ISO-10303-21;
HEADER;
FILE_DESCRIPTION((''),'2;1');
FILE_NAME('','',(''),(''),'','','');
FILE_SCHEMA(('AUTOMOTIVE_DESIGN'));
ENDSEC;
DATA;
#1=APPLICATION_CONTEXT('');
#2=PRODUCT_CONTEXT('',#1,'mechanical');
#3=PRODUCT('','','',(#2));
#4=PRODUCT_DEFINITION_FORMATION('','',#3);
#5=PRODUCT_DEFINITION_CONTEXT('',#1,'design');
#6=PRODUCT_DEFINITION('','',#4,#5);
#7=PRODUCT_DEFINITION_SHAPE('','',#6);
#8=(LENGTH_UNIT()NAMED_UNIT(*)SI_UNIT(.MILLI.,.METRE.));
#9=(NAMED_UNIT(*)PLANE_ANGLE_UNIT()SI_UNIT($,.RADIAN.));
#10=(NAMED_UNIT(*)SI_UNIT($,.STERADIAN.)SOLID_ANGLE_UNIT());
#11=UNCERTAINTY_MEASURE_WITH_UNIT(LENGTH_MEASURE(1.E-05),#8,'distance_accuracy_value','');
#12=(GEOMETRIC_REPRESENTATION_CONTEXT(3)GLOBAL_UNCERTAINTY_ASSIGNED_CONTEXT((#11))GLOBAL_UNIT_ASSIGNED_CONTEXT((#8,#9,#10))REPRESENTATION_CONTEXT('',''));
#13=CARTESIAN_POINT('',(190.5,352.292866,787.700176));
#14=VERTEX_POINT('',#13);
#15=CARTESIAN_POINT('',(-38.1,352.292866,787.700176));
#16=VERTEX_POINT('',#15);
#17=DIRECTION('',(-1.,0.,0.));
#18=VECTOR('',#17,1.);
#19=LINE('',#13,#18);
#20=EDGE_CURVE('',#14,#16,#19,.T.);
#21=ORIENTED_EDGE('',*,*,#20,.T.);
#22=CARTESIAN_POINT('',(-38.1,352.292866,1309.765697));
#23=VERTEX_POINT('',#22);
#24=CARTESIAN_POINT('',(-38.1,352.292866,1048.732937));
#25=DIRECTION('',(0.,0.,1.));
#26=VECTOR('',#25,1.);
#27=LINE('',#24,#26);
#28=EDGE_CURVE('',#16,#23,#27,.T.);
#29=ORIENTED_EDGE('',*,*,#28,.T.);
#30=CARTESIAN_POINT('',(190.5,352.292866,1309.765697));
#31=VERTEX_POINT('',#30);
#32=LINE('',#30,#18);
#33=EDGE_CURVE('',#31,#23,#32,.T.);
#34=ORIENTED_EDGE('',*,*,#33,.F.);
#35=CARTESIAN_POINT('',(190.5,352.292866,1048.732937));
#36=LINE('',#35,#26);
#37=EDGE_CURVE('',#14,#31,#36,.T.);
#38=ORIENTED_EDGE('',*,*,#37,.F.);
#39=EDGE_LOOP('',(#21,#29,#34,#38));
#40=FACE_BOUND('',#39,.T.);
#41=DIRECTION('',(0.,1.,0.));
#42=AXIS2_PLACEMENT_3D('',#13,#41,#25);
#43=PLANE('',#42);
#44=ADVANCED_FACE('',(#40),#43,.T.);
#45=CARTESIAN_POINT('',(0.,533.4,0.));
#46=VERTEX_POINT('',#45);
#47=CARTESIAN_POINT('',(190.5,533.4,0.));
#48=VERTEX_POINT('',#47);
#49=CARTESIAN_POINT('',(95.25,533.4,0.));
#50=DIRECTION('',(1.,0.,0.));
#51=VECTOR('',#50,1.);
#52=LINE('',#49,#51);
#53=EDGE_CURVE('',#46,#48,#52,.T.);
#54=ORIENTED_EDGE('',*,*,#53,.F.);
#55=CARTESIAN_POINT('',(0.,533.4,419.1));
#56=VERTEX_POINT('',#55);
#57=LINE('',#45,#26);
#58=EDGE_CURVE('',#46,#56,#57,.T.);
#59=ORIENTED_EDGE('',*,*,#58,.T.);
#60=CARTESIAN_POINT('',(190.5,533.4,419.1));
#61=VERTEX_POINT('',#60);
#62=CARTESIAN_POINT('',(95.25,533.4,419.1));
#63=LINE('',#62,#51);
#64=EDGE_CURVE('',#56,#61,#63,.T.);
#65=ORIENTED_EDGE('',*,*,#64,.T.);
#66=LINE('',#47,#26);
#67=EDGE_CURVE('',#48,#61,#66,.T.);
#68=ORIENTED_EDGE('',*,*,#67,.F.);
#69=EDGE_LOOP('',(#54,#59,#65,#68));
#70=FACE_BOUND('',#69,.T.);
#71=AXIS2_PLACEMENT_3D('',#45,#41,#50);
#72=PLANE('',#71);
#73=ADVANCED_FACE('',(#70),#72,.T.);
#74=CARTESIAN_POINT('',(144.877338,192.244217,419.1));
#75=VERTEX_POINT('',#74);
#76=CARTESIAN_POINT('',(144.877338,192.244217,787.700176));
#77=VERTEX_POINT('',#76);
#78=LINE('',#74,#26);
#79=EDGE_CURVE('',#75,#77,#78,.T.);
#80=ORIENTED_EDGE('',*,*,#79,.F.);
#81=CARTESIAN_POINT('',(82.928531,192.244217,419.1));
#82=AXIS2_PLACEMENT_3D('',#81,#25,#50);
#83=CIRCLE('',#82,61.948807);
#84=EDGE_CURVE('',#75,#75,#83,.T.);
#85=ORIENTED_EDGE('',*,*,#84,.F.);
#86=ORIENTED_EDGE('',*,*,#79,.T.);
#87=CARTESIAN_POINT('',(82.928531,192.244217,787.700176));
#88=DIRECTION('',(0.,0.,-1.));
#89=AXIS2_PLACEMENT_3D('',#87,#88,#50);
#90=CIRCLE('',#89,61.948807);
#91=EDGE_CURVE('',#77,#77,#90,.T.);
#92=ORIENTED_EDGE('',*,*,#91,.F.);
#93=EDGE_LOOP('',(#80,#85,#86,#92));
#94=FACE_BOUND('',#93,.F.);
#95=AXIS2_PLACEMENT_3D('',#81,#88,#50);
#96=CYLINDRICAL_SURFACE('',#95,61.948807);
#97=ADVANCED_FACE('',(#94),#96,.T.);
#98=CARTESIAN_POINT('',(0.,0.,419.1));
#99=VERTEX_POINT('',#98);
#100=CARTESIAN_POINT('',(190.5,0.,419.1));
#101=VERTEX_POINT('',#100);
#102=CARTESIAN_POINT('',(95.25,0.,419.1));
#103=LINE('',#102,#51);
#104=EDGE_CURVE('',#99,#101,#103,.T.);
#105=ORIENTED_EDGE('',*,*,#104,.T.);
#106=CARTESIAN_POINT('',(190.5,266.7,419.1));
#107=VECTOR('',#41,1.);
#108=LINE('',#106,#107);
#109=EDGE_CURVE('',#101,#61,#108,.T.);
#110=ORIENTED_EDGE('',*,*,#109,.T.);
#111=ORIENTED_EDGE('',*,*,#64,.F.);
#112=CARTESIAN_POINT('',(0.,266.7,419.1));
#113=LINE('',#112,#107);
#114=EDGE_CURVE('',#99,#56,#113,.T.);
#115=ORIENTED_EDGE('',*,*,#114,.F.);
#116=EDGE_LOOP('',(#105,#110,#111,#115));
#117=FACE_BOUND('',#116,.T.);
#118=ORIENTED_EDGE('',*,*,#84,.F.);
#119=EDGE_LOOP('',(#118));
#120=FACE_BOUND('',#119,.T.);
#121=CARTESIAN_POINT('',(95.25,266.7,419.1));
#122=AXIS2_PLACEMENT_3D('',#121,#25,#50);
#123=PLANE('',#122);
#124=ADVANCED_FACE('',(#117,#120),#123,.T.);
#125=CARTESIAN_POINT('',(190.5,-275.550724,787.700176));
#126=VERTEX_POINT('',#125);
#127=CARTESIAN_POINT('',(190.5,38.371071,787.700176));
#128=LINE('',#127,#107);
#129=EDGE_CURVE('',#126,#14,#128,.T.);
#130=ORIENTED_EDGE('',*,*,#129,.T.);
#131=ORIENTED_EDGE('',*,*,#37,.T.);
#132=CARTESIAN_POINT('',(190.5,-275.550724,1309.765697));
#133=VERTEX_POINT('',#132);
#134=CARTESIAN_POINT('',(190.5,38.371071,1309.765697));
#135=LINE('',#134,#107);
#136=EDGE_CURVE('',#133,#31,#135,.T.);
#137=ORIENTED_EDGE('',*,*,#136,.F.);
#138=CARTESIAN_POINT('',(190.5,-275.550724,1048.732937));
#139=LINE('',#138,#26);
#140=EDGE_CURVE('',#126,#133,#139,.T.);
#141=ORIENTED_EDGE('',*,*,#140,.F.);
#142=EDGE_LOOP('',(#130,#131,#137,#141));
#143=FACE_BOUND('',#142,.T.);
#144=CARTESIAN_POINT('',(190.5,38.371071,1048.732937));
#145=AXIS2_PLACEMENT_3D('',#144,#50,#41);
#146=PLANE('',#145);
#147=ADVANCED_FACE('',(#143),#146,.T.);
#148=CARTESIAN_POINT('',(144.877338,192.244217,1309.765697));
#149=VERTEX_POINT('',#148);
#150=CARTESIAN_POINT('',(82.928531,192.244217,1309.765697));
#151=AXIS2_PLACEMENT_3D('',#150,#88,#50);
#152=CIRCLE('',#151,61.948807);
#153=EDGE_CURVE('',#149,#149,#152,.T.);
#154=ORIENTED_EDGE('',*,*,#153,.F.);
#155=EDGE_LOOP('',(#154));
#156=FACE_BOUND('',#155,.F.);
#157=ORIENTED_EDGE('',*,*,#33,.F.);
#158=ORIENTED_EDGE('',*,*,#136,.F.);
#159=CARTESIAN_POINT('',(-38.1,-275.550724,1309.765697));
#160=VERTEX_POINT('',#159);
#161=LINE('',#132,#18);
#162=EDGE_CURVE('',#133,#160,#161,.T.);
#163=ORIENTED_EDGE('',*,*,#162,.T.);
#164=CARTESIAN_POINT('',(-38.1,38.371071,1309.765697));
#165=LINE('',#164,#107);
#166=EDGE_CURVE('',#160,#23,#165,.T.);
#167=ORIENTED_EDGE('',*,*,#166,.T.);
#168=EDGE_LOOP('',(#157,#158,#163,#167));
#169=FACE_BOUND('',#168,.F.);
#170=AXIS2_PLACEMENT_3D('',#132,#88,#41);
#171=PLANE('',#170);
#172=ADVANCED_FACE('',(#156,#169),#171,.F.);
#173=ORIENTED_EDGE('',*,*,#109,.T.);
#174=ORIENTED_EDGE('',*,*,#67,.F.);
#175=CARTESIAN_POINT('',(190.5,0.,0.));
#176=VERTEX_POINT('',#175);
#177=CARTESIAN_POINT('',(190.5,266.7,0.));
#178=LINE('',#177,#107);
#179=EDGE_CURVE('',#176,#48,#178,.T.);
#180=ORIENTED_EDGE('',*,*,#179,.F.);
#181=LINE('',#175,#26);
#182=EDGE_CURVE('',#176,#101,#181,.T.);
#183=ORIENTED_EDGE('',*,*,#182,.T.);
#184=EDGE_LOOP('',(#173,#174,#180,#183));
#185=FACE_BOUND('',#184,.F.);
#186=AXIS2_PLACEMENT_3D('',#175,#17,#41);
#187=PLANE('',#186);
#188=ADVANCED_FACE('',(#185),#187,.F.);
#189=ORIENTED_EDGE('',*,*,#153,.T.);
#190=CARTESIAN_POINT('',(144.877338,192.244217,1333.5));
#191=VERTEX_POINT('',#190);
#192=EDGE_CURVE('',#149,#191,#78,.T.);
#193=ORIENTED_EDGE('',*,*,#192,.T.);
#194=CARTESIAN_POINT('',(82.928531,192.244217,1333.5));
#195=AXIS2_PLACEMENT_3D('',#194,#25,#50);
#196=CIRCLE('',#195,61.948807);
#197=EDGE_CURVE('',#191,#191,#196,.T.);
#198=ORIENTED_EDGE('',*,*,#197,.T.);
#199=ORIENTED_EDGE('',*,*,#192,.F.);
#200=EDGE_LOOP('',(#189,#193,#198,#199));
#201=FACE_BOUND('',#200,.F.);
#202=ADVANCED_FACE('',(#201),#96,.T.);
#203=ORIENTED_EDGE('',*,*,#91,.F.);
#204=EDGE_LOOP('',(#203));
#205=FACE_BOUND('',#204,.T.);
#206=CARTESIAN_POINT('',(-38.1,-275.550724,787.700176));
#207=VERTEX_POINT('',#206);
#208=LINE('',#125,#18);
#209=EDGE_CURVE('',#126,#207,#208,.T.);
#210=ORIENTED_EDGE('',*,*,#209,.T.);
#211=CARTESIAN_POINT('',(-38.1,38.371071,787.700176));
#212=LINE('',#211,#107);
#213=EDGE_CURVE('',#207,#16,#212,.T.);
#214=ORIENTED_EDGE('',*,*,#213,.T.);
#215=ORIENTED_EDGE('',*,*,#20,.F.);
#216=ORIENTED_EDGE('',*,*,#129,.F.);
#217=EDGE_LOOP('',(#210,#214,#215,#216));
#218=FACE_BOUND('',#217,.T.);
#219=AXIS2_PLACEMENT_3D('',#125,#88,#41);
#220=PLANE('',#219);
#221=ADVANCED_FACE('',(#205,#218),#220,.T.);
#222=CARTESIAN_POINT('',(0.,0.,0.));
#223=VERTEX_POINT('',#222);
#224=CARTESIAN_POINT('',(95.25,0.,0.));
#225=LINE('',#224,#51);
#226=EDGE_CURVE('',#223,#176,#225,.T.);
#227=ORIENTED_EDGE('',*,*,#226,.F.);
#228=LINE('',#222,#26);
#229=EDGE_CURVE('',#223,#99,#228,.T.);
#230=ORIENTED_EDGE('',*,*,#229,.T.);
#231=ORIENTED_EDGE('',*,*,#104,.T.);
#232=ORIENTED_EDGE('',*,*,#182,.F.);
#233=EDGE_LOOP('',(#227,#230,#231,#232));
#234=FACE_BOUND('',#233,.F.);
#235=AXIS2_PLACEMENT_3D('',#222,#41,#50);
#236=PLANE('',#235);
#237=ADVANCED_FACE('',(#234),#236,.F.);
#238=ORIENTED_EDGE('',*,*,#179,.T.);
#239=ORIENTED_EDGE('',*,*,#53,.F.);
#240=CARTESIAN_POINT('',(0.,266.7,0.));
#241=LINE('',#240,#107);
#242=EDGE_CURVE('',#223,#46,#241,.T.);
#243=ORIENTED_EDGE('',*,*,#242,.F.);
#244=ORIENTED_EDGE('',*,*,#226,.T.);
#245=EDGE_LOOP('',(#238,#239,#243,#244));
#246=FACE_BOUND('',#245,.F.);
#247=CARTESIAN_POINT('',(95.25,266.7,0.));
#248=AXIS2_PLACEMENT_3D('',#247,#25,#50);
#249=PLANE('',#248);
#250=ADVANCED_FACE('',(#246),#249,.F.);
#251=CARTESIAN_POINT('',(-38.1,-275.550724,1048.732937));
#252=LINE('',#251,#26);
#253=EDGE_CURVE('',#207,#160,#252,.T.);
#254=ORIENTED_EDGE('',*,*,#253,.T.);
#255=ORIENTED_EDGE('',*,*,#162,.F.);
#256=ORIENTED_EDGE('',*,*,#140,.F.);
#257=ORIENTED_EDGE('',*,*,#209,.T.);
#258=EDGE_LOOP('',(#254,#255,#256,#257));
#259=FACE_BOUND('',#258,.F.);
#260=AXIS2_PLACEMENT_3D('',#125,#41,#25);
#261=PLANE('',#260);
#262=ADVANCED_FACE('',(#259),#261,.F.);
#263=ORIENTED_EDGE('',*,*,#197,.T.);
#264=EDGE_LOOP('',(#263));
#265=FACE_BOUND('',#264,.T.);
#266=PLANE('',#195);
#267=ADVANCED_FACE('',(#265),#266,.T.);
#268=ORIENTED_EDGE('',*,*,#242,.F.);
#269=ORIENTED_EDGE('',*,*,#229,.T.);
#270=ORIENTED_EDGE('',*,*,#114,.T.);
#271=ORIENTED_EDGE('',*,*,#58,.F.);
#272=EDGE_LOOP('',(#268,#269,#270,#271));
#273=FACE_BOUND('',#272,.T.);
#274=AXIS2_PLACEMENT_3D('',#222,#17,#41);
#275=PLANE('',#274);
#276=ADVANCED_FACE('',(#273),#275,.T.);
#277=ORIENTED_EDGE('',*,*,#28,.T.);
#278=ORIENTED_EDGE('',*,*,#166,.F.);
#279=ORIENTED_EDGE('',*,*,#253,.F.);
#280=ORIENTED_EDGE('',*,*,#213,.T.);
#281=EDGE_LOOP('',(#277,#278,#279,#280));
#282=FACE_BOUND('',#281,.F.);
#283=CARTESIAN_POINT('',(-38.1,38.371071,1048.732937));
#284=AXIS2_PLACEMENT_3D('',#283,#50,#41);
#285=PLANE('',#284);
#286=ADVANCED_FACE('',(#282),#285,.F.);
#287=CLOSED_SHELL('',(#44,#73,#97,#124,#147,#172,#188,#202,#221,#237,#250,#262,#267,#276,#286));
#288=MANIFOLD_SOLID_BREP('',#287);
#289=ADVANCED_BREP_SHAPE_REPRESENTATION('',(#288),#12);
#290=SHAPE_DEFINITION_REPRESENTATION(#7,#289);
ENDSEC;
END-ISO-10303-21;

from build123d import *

# Parameters (mm, degrees)
F0_W     = 190.5
F0_H     = 533.4
F1_DEPTH = 419.1
F2_R     = 61.948807
F3_DEPTH = 914.4
F4_W     = 627.843589
F4_H     = 522.065521
F5_DEPTH = 228.6


with BuildPart() as f1:
    # F0 (on Top) → F1 (new body)
    with BuildSketch(Plane.XY):
        with Locations((95.25, 266.7)):
            Rectangle(F0_W, F0_H)
    extrude(amount=F1_DEPTH)

    # F2 (on face) → F3 (join)
    with BuildSketch(Plane.XY.offset(419.1)):
        with Locations((82.928531, 192.244217)):
            Circle(F2_R)
    extrude(amount=F3_DEPTH)

    # F4 (on face) → F5 (join)
    with BuildSketch(Plane.YZ.offset(190.5)):
        with Locations((38.371071, 1048.732937)):
            Rectangle(F4_W, F4_H)
    extrude(amount=-F5_DEPTH)


solid = f1.part
